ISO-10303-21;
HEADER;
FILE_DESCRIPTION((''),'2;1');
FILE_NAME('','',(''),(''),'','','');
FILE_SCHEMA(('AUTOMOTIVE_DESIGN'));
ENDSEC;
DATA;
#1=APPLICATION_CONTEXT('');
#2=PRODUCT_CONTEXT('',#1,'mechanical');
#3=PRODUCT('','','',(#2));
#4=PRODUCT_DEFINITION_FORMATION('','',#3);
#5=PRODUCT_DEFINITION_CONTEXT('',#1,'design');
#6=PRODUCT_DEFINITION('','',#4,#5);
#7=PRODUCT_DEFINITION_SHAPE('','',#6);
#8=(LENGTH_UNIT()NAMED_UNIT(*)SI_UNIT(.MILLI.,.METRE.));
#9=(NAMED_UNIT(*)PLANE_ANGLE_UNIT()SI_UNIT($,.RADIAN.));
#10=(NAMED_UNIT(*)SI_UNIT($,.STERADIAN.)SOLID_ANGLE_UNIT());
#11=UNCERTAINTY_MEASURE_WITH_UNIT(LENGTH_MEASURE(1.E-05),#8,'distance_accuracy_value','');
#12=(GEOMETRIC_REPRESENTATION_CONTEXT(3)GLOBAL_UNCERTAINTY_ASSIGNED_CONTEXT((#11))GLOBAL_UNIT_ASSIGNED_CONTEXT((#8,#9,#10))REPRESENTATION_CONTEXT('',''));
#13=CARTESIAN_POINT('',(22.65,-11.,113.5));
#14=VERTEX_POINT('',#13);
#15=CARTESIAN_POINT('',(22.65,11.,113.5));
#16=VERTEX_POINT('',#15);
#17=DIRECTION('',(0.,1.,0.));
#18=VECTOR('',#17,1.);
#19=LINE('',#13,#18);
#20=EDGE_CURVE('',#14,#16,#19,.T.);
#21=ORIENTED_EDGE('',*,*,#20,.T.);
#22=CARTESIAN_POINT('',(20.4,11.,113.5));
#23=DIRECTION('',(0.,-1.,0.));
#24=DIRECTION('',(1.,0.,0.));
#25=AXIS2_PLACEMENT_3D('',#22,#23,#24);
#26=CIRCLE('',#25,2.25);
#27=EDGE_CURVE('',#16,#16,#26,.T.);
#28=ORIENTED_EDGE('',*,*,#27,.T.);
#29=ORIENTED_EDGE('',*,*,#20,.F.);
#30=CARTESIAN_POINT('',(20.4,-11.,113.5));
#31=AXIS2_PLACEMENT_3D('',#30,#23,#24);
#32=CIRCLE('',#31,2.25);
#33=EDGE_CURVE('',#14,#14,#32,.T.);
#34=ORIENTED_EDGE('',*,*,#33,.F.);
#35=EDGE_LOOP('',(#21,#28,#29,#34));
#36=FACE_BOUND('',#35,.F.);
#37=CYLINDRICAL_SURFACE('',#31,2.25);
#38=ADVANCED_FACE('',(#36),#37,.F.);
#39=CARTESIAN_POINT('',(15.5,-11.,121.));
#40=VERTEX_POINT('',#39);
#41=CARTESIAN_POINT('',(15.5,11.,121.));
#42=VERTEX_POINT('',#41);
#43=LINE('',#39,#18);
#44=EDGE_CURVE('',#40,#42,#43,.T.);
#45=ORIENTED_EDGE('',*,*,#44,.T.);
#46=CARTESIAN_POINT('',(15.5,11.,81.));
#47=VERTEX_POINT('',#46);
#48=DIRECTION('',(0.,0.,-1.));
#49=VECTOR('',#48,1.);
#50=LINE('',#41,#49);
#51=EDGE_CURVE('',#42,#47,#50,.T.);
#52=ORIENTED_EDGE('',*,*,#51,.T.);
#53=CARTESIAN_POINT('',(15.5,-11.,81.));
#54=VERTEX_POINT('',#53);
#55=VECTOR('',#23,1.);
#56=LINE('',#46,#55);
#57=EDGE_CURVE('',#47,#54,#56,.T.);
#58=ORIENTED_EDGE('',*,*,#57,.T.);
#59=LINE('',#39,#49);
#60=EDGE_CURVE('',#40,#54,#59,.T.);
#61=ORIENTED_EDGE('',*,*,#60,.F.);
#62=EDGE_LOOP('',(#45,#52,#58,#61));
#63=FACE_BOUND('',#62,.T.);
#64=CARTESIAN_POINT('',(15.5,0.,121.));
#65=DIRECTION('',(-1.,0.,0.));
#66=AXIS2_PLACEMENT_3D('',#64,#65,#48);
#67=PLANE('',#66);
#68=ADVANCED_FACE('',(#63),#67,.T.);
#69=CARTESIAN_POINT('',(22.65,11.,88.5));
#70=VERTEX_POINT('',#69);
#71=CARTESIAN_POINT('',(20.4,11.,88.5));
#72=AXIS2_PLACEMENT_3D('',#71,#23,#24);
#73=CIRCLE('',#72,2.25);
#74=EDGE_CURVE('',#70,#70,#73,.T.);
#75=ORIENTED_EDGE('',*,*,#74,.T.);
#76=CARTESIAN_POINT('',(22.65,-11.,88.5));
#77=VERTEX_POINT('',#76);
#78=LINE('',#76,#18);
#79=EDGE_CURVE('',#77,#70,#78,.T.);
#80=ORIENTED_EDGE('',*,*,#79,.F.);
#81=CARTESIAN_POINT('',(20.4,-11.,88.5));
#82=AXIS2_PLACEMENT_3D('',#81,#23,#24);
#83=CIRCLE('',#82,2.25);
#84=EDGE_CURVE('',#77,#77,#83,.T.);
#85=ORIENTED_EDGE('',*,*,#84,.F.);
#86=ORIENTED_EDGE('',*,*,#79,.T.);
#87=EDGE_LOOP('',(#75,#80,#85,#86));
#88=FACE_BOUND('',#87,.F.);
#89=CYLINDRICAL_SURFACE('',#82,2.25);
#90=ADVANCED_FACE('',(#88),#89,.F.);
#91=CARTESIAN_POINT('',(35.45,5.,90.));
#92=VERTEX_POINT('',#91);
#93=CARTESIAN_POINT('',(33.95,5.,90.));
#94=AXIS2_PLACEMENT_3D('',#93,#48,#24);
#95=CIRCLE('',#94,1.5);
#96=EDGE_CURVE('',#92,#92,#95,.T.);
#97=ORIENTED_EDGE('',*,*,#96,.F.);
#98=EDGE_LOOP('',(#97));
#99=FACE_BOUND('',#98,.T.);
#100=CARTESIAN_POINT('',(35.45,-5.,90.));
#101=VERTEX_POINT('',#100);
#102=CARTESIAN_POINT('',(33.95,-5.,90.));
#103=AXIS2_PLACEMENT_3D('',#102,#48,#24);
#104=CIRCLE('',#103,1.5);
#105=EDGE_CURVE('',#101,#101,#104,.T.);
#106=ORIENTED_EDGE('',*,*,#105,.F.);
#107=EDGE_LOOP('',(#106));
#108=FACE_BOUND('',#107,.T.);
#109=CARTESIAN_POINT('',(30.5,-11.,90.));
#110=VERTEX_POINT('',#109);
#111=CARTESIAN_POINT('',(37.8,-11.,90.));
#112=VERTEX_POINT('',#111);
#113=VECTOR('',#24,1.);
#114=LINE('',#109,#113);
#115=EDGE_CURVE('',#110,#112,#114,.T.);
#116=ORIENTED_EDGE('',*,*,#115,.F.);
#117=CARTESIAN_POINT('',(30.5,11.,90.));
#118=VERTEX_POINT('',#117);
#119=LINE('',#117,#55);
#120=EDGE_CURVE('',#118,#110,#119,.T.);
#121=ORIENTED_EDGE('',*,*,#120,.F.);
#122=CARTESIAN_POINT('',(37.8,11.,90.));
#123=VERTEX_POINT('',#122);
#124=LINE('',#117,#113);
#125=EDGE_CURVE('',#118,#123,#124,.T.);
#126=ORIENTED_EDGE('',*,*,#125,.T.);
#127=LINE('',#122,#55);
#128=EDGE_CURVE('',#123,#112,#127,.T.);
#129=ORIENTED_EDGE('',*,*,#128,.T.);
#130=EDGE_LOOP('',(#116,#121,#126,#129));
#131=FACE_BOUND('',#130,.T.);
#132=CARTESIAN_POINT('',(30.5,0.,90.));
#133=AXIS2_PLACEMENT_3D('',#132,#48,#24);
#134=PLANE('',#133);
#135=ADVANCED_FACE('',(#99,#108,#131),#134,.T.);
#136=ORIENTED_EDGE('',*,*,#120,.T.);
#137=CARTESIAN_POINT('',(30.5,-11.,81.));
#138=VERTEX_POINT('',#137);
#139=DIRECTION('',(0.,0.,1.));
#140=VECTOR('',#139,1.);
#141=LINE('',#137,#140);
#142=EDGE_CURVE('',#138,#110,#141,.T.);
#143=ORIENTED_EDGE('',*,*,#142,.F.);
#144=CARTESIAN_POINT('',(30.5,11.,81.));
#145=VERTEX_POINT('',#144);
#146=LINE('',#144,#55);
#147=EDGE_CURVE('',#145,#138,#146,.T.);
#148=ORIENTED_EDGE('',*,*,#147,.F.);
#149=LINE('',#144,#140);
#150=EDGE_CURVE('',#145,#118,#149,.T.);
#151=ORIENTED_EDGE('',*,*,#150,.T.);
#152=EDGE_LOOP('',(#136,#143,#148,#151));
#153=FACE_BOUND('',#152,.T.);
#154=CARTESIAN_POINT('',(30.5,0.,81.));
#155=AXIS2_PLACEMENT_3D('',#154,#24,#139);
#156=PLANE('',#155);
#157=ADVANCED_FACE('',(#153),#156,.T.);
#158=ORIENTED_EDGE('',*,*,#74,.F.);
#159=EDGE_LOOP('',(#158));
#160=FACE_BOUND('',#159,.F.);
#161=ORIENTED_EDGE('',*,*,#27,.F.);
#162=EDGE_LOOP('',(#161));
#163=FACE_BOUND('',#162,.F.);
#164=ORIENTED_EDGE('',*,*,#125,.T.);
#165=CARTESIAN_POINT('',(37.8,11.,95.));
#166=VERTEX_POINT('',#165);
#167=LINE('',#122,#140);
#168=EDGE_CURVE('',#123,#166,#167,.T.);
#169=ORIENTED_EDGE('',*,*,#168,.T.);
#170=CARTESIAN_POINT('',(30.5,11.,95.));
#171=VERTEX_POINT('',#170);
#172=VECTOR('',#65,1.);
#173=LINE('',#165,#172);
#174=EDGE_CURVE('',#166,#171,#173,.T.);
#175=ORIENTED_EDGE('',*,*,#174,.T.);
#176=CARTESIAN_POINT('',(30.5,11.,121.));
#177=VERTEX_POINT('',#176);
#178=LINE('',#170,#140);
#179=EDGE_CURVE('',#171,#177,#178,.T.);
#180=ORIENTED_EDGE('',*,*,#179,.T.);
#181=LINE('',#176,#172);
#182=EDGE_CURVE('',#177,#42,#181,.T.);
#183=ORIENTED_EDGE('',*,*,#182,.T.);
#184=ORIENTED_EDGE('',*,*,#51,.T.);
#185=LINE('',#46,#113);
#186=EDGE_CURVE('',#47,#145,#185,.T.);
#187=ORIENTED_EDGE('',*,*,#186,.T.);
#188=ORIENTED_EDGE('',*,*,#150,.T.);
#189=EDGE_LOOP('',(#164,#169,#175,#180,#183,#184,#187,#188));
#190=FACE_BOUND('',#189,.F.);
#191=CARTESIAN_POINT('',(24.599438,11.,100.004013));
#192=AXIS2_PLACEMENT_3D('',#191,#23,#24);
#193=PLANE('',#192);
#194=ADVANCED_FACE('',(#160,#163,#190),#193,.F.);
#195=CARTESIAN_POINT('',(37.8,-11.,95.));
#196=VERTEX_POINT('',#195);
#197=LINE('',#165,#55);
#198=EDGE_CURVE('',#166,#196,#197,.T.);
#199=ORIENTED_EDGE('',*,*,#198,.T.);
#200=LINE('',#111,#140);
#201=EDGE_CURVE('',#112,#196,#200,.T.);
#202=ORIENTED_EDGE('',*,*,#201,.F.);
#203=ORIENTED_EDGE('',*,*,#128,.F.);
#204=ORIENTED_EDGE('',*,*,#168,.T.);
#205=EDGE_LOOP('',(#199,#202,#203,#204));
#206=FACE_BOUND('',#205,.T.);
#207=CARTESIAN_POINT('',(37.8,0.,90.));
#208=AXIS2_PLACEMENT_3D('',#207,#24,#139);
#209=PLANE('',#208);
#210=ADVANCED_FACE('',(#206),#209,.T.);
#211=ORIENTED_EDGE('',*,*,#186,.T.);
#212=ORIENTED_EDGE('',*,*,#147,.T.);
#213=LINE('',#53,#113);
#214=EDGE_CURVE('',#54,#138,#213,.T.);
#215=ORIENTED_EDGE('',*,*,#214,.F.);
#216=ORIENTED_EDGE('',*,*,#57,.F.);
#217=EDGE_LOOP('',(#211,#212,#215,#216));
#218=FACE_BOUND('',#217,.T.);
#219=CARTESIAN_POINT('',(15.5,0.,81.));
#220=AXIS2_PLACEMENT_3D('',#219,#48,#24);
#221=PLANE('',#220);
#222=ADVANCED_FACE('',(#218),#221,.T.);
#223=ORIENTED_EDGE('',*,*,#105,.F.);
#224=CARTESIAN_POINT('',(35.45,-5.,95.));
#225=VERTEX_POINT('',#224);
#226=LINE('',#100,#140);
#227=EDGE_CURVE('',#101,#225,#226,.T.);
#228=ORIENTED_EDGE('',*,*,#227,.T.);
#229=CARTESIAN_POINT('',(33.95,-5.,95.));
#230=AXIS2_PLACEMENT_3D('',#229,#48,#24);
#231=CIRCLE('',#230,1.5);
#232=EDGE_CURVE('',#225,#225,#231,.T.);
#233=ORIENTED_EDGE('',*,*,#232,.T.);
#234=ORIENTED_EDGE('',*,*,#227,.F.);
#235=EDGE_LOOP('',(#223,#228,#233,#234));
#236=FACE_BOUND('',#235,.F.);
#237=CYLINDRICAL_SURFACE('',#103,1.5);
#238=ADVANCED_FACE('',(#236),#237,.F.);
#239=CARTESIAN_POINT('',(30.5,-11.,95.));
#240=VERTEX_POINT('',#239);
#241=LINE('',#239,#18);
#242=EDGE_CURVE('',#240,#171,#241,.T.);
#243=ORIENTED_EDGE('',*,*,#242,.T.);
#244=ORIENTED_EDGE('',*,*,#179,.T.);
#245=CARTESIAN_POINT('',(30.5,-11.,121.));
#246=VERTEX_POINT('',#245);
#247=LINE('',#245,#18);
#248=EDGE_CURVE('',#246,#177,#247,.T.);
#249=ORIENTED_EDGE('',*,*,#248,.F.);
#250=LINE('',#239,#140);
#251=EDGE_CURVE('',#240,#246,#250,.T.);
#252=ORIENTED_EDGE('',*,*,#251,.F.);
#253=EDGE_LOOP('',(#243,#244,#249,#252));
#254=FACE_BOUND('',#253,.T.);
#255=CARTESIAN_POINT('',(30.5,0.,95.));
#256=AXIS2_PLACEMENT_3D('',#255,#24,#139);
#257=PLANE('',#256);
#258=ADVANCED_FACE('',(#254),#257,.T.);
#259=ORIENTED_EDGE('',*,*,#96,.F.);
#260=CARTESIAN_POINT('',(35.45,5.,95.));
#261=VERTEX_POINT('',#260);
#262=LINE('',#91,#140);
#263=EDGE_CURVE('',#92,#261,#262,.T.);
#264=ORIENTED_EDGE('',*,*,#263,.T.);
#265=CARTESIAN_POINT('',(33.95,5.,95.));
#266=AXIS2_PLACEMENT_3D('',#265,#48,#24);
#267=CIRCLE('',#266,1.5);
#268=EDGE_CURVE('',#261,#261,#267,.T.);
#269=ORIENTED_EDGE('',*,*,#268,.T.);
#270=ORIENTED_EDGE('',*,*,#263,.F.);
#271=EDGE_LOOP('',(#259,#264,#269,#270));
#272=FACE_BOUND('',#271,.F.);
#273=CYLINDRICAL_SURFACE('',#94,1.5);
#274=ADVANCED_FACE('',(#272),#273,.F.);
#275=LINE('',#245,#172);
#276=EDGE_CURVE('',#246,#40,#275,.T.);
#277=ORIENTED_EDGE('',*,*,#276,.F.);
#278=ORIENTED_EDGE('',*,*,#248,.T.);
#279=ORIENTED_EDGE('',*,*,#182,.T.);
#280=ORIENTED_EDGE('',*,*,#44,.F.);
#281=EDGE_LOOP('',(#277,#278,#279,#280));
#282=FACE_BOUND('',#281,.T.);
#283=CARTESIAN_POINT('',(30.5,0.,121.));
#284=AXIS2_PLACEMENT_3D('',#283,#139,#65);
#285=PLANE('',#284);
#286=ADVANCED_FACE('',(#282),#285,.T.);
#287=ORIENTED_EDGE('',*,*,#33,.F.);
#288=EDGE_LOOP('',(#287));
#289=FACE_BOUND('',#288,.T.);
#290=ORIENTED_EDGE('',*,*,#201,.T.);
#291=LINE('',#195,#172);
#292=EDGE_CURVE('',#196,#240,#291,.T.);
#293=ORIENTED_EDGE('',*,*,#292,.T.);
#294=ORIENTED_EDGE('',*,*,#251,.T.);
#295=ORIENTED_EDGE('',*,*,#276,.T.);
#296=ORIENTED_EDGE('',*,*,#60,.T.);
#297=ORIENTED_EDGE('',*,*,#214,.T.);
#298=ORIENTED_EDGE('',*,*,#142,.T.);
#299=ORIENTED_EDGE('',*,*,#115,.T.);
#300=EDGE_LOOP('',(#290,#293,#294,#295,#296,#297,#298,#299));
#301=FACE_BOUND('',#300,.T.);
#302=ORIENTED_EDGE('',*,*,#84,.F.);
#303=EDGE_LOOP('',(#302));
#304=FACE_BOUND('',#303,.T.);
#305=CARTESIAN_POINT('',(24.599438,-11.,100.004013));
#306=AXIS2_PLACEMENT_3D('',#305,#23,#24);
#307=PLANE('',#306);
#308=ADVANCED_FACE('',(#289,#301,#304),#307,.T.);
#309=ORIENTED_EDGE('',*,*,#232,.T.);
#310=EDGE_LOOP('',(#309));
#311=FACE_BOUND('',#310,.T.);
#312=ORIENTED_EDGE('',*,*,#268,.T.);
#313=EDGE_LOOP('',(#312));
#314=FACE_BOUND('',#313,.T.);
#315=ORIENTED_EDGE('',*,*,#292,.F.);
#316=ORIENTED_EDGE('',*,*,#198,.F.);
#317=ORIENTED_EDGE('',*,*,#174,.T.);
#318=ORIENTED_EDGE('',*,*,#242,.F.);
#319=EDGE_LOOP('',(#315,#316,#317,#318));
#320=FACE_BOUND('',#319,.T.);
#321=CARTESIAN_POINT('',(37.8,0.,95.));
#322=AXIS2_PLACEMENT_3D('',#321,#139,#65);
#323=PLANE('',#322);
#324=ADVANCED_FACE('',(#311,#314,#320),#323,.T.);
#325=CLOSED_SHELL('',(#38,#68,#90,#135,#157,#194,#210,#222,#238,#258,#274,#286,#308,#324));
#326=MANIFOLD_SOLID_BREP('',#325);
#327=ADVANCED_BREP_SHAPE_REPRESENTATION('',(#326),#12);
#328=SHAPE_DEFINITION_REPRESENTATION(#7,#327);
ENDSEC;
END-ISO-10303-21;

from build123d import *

# Parameters (mm, degrees)
PAD158_DEPTH            = 11
SKETCH235_R             = 2.25
POCKET059_DEPTH         = 25
SKETCH236_R             = 1.5
POCKET060_DEPTH         = 5
BODY127_PLACEMENT_ANGLE = 180
BODY134_PLACEMENT_ANGLE = 180


with BuildPart() as part:
    # Sketch234 → Pad158 (new body, symmetric)
    with BuildSketch(Plane.XZ):
        Polygon((-1.5, 40), (-1.5, 0), (13.5, 0), (13.5, 9), (20.8, 9), (20.8, 14), (13.5, 14), (13.5, 40), align=None)
    extrude(amount=PAD158_DEPTH, both=True)

    # Sketch235 (on Face10 of Pad158) → Pocket059 (cut)
    with BuildSketch(Plane.XZ.offset(11)):
        with Locations((3.4, 32.5)):
            Circle(SKETCH235_R)
        with Locations((3.4, 7.5)):
            Circle(SKETCH235_R)
    extrude(amount=-POCKET059_DEPTH, mode=Mode.SUBTRACT)

    # Sketch236 (on Face9 of Pocket059) → Pocket060 (cut)
    with BuildSketch(Plane(origin=(0, 0, 9), x_dir=(1, 0, 0), z_dir=(0, 0, -1))):
        with Locations((16.95, 5)):
            Circle(SKETCH236_R)
        with Locations((16.95, -5)):
            Circle(SKETCH236_R)
    extrude(amount=-POCKET060_DEPTH, mode=Mode.SUBTRACT)


with BuildPart() as part_1:
    # Body127 placement: moved
    add(part.part.moved(Location((-17, 0, 81))).rotate(Axis((-17, 0, 81), (0, 0, 1)), BODY127_PLACEMENT_ANGLE))


with BuildPart() as part_2:
    # Body134 placement: moved
    add(part_1.part.rotate(Axis((0, 0, 0), (0, 0, 1)), BODY134_PLACEMENT_ANGLE))


solid = part_2.part
